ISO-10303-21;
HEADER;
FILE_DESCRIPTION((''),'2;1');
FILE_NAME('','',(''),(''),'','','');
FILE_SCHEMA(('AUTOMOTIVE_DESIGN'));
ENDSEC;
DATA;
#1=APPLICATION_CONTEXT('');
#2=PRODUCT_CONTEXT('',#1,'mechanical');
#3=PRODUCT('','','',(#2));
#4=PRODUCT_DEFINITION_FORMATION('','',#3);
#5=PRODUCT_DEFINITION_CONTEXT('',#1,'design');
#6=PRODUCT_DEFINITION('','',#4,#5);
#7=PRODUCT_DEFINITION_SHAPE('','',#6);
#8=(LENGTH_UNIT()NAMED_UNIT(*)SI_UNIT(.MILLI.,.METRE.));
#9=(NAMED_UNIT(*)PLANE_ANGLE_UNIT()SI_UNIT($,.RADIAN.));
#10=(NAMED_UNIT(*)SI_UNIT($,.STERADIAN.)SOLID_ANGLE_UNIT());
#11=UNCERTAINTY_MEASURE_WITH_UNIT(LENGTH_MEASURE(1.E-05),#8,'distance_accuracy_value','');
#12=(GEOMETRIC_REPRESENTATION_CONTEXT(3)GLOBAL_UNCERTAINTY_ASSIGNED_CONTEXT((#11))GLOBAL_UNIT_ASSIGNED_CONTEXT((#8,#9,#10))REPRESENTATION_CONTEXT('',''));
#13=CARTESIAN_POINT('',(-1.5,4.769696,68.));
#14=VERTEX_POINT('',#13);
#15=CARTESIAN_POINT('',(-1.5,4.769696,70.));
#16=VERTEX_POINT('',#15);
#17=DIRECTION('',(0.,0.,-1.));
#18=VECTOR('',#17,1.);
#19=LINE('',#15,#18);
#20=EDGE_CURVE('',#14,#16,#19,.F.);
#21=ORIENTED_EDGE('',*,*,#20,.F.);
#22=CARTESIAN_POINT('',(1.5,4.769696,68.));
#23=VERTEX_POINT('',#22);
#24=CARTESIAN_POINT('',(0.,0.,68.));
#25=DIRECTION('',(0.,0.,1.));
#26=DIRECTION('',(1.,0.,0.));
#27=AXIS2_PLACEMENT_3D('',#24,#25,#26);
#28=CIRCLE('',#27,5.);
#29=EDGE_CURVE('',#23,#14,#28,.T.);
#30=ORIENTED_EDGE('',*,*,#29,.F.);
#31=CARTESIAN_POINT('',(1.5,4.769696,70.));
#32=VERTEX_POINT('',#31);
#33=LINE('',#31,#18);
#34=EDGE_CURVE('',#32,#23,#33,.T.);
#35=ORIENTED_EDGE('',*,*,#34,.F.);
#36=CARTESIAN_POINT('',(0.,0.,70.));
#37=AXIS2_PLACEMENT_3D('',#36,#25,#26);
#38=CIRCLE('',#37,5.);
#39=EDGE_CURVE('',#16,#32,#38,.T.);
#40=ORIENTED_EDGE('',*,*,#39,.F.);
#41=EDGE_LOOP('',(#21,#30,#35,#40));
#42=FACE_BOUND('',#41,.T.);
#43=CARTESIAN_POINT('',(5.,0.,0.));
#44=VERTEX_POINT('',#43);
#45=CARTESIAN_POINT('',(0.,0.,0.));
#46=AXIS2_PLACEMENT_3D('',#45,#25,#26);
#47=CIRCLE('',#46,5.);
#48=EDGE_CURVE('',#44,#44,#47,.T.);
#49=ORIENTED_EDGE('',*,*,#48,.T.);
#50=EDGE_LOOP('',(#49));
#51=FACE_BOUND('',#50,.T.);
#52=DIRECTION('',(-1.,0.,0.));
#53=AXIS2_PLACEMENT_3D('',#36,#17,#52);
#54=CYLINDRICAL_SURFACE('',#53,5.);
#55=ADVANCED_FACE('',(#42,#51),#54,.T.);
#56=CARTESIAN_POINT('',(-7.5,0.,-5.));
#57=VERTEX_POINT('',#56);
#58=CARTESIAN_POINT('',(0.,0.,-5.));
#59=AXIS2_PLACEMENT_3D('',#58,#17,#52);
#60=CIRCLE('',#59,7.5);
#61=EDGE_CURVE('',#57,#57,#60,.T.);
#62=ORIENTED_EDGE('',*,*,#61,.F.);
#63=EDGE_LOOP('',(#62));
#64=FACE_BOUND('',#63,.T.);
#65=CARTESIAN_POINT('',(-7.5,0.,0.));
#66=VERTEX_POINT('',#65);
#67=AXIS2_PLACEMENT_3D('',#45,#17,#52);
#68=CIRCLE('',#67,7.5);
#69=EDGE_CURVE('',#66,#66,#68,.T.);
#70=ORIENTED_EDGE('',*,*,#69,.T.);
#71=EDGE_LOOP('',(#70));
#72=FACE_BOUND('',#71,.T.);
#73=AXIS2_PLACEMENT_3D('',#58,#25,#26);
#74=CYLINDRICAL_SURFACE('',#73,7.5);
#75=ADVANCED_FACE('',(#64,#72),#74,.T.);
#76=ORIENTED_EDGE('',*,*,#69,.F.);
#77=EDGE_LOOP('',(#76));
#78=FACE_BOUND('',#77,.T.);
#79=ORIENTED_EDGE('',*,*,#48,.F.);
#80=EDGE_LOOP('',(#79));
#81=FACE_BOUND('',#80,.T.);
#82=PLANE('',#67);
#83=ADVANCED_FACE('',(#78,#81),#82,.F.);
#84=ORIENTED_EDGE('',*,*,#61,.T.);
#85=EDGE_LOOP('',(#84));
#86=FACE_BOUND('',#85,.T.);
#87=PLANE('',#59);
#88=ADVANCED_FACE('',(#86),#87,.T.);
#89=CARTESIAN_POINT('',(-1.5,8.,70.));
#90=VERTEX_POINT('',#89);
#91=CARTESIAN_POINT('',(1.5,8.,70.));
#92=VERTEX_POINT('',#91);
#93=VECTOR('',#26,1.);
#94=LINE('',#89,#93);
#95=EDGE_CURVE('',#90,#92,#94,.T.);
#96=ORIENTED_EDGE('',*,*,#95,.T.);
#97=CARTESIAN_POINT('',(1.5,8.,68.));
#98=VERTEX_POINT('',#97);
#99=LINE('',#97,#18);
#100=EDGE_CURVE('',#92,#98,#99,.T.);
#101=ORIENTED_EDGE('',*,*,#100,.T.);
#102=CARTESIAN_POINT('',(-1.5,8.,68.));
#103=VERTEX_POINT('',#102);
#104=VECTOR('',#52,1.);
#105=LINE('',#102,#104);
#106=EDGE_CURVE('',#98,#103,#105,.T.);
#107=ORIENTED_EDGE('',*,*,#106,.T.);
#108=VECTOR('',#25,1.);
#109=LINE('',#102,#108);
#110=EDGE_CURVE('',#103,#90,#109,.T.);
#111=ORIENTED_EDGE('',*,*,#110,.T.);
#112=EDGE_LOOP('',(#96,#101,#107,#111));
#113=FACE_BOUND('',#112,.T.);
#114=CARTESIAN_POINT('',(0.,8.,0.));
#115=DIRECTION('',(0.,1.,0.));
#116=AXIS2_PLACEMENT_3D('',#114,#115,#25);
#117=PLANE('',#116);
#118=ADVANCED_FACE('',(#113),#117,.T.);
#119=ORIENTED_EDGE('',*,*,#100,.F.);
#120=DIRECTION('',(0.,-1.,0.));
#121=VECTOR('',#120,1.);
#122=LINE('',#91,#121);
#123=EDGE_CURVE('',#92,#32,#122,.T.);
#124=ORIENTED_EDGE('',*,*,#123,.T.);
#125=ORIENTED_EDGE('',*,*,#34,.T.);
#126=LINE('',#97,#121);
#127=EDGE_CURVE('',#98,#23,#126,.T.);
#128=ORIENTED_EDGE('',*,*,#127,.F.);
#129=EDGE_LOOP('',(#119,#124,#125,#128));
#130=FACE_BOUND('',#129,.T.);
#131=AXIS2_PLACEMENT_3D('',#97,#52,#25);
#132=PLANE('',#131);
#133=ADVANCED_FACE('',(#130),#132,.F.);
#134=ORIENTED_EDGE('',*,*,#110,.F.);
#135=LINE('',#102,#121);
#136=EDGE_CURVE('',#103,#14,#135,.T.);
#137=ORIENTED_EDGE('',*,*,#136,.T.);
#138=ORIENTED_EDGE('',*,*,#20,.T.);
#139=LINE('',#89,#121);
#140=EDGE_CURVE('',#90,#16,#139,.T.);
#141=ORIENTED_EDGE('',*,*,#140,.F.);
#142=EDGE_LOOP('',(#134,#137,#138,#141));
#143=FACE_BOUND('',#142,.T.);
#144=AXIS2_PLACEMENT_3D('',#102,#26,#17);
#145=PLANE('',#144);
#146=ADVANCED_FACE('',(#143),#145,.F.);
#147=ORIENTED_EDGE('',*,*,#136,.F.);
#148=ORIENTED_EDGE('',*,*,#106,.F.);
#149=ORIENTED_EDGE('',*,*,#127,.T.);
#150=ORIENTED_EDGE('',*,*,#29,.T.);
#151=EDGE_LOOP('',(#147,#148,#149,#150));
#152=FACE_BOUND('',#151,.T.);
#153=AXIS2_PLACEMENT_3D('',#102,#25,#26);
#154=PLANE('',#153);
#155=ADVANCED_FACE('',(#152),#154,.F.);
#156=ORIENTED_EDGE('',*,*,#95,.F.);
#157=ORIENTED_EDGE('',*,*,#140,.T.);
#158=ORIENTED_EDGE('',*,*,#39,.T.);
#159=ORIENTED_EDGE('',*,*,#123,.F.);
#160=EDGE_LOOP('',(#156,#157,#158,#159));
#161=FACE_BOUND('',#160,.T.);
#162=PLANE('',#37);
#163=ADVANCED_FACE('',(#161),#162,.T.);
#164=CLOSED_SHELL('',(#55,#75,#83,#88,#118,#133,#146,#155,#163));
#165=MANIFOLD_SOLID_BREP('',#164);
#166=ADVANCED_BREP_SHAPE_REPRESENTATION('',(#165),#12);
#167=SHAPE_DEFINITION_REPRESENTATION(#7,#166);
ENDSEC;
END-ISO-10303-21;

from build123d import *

# Parameters (mm, degrees)
IZIM1_R                     = 5
Y_KSEKLIK_EKSTR_ZYON1_DEPTH = 70
IZIM2_R                     = 7.5
Y_KSEKLIK_EKSTR_ZYON2_DEPTH = 5
IZIM3_W                     = 3
IZIM3_H                     = 2
Y_KSEKLIK_EKSTR_ZYON3_DEPTH = 8


with BuildPart() as part:
    # Çizim1 → Yükseklik-Ekstrüzyon1 (new body)
    with BuildSketch(Plane.XY):
        Circle(IZIM1_R)
    extrude(amount=Y_KSEKLIK_EKSTR_ZYON1_DEPTH)

    # Çizim2 → Yükseklik-Ekstrüzyon2 (add)
    with BuildSketch(Plane(origin=(0, 0, 0), x_dir=(-1, 0, 0), z_dir=(0, 0, -1))):
        Circle(IZIM2_R)
    extrude(amount=Y_KSEKLIK_EKSTR_ZYON2_DEPTH)

    # Çizim3 → Yükseklik-Ekstrüzyon3 (add)
    with BuildSketch(Plane(origin=(0, 0, 0), x_dir=(1, 0, 0), z_dir=(0, 1, 0))):
        with Locations((0, -69)):
            Rectangle(IZIM3_W, IZIM3_H)
    extrude(amount=Y_KSEKLIK_EKSTR_ZYON3_DEPTH)


solid = part.part
